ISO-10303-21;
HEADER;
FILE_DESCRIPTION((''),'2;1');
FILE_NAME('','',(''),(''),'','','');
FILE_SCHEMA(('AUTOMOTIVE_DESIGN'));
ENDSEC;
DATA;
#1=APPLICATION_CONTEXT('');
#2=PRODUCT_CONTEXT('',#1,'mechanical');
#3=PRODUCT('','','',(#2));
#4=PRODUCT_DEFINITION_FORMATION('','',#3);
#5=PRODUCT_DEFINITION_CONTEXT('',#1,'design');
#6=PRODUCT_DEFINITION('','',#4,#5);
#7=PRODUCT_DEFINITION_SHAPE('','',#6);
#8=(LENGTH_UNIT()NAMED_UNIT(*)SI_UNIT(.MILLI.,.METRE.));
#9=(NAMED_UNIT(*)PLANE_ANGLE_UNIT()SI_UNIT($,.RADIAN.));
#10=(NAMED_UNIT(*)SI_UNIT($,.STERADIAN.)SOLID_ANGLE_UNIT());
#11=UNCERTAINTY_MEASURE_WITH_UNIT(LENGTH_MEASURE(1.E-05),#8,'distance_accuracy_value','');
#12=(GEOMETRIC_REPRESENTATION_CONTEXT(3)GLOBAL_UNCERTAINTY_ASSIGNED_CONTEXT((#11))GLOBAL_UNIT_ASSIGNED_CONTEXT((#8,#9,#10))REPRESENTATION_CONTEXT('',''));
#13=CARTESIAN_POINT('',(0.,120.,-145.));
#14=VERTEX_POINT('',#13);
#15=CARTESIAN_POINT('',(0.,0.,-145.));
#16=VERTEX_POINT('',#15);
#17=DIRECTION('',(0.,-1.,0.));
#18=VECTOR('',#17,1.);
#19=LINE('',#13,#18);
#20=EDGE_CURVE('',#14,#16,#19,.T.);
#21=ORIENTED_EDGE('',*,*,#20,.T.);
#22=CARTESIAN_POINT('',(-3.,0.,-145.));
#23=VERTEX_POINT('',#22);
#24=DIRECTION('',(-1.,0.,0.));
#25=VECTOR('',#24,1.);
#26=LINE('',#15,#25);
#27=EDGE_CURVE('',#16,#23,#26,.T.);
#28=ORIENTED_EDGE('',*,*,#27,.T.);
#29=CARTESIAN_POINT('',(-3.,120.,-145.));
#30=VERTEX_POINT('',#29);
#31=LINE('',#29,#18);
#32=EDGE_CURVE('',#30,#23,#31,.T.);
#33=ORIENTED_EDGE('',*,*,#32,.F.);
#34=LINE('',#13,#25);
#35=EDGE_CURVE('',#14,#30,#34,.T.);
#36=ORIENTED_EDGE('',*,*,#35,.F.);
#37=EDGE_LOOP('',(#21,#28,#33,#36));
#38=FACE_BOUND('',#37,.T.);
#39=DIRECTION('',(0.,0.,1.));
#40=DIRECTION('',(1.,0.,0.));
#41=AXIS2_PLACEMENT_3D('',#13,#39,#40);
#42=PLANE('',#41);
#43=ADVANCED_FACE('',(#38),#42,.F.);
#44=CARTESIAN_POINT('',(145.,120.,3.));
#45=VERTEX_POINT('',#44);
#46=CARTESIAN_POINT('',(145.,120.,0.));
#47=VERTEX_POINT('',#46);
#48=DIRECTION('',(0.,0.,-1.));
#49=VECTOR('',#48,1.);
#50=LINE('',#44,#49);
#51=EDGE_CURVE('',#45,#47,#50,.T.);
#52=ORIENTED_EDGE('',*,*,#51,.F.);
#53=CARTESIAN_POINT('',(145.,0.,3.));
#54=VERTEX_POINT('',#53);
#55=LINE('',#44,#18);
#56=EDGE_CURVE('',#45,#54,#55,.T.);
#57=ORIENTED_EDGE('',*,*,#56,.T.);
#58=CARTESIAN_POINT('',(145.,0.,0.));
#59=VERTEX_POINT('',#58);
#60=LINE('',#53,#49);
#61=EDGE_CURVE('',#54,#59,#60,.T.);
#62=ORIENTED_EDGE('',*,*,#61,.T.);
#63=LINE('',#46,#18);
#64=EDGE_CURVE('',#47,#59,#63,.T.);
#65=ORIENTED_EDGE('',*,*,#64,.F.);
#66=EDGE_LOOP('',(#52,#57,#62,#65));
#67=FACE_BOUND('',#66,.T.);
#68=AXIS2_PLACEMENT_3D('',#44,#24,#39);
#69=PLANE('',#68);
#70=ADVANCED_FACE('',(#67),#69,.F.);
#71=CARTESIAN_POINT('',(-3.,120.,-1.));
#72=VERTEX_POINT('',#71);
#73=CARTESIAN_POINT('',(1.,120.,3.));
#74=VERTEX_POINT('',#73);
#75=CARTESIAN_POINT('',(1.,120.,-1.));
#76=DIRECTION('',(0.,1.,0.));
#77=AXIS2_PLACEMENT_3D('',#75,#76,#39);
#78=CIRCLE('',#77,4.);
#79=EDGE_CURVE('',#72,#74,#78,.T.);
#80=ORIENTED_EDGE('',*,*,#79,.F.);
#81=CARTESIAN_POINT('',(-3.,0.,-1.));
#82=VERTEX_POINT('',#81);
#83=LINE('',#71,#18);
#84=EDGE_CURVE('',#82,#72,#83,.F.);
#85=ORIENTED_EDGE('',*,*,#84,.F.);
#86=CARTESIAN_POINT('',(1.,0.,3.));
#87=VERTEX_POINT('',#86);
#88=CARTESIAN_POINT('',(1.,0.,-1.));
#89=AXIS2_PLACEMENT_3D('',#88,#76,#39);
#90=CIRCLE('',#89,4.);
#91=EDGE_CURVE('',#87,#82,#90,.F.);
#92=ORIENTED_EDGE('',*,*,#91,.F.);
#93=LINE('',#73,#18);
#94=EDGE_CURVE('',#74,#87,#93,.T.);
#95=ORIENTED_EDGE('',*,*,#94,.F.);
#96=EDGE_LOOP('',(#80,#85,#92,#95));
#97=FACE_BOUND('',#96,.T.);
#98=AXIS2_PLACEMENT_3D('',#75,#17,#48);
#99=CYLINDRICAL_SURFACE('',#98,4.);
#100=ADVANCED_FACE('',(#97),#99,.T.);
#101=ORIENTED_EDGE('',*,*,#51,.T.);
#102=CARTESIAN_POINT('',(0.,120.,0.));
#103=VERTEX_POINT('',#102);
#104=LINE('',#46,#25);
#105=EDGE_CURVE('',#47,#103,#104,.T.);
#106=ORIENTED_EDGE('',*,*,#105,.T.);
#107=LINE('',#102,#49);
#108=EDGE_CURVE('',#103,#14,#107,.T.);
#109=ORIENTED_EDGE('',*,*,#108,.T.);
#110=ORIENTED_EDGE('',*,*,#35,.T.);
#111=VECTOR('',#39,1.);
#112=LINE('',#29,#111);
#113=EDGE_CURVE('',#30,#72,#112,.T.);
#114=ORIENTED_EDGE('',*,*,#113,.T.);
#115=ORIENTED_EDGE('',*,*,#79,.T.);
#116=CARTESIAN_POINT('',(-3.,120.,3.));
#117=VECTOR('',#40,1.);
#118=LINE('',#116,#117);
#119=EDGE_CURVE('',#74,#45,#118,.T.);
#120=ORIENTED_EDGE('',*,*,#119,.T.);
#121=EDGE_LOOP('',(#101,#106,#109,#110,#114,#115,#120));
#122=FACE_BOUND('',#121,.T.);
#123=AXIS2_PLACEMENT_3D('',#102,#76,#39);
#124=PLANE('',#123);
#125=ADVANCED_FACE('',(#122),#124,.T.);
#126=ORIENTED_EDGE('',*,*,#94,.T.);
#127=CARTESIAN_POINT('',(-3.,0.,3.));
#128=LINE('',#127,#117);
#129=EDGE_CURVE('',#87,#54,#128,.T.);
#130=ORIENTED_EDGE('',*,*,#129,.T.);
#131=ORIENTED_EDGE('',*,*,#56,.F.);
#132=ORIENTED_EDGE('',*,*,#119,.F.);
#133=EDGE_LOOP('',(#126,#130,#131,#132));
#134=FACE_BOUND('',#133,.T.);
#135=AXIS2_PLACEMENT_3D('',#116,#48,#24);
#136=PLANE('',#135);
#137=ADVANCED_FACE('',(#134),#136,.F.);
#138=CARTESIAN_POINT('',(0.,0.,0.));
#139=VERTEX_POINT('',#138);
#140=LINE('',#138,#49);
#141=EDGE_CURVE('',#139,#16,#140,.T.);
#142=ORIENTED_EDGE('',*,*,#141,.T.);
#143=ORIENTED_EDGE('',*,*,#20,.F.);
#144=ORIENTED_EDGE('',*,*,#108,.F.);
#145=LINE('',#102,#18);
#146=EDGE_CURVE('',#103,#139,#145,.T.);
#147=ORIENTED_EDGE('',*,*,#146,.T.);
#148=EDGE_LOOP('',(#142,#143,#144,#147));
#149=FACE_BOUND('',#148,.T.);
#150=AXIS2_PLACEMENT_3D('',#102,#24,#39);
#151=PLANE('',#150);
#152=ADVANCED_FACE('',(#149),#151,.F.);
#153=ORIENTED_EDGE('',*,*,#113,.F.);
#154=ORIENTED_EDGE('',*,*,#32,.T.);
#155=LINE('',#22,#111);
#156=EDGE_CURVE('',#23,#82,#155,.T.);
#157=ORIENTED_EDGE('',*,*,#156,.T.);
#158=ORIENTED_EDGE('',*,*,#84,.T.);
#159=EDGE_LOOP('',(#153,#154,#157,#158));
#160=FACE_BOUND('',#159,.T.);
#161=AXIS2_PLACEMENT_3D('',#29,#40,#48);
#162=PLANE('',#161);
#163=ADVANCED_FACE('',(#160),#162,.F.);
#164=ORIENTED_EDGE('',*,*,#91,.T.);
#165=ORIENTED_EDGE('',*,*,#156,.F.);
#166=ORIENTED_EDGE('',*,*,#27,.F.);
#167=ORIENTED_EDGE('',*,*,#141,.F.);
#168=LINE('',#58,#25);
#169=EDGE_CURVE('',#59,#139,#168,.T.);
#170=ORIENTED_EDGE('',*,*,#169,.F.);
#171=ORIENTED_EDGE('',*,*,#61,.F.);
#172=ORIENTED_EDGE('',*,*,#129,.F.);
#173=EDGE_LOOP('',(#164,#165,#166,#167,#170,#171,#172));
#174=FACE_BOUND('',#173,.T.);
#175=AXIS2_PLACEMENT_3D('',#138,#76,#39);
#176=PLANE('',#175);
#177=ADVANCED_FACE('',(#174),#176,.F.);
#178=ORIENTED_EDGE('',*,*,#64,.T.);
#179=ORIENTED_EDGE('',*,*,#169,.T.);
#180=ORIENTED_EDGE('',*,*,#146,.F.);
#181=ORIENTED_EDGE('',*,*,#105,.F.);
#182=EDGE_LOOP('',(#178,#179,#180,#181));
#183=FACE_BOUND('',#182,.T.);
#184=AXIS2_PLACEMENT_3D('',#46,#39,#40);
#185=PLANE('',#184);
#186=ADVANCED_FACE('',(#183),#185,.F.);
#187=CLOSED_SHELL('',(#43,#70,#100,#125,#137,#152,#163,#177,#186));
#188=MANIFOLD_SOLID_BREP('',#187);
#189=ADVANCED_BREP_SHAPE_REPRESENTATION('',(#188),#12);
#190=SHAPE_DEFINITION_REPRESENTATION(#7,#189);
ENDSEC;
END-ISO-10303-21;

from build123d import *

# Parameters (mm, degrees)
BOSS_EXTRUDE1_DEPTH = 120
FILLET1_R           = 4


with BuildPart() as part:
    # Sketch1 → Boss-Extrude1 (new body)
    with BuildSketch(Plane(origin=(0, 0, 0), x_dir=(1, 0, 0), z_dir=(0, 1, 0))):
        Polygon((145, 0), (0, 0), (0, 145), (-3, 145), (-3, -3), (145, -3), align=None)
    extrude(amount=BOSS_EXTRUDE1_DEPTH)

    # Fillet1
    fillet1_edges = [part.edges().sort_by_distance(p)[0] for p in [
        (-3, 60, 3),
    ]]
    fillet(fillet1_edges, radius=FILLET1_R)


solid = part.part
